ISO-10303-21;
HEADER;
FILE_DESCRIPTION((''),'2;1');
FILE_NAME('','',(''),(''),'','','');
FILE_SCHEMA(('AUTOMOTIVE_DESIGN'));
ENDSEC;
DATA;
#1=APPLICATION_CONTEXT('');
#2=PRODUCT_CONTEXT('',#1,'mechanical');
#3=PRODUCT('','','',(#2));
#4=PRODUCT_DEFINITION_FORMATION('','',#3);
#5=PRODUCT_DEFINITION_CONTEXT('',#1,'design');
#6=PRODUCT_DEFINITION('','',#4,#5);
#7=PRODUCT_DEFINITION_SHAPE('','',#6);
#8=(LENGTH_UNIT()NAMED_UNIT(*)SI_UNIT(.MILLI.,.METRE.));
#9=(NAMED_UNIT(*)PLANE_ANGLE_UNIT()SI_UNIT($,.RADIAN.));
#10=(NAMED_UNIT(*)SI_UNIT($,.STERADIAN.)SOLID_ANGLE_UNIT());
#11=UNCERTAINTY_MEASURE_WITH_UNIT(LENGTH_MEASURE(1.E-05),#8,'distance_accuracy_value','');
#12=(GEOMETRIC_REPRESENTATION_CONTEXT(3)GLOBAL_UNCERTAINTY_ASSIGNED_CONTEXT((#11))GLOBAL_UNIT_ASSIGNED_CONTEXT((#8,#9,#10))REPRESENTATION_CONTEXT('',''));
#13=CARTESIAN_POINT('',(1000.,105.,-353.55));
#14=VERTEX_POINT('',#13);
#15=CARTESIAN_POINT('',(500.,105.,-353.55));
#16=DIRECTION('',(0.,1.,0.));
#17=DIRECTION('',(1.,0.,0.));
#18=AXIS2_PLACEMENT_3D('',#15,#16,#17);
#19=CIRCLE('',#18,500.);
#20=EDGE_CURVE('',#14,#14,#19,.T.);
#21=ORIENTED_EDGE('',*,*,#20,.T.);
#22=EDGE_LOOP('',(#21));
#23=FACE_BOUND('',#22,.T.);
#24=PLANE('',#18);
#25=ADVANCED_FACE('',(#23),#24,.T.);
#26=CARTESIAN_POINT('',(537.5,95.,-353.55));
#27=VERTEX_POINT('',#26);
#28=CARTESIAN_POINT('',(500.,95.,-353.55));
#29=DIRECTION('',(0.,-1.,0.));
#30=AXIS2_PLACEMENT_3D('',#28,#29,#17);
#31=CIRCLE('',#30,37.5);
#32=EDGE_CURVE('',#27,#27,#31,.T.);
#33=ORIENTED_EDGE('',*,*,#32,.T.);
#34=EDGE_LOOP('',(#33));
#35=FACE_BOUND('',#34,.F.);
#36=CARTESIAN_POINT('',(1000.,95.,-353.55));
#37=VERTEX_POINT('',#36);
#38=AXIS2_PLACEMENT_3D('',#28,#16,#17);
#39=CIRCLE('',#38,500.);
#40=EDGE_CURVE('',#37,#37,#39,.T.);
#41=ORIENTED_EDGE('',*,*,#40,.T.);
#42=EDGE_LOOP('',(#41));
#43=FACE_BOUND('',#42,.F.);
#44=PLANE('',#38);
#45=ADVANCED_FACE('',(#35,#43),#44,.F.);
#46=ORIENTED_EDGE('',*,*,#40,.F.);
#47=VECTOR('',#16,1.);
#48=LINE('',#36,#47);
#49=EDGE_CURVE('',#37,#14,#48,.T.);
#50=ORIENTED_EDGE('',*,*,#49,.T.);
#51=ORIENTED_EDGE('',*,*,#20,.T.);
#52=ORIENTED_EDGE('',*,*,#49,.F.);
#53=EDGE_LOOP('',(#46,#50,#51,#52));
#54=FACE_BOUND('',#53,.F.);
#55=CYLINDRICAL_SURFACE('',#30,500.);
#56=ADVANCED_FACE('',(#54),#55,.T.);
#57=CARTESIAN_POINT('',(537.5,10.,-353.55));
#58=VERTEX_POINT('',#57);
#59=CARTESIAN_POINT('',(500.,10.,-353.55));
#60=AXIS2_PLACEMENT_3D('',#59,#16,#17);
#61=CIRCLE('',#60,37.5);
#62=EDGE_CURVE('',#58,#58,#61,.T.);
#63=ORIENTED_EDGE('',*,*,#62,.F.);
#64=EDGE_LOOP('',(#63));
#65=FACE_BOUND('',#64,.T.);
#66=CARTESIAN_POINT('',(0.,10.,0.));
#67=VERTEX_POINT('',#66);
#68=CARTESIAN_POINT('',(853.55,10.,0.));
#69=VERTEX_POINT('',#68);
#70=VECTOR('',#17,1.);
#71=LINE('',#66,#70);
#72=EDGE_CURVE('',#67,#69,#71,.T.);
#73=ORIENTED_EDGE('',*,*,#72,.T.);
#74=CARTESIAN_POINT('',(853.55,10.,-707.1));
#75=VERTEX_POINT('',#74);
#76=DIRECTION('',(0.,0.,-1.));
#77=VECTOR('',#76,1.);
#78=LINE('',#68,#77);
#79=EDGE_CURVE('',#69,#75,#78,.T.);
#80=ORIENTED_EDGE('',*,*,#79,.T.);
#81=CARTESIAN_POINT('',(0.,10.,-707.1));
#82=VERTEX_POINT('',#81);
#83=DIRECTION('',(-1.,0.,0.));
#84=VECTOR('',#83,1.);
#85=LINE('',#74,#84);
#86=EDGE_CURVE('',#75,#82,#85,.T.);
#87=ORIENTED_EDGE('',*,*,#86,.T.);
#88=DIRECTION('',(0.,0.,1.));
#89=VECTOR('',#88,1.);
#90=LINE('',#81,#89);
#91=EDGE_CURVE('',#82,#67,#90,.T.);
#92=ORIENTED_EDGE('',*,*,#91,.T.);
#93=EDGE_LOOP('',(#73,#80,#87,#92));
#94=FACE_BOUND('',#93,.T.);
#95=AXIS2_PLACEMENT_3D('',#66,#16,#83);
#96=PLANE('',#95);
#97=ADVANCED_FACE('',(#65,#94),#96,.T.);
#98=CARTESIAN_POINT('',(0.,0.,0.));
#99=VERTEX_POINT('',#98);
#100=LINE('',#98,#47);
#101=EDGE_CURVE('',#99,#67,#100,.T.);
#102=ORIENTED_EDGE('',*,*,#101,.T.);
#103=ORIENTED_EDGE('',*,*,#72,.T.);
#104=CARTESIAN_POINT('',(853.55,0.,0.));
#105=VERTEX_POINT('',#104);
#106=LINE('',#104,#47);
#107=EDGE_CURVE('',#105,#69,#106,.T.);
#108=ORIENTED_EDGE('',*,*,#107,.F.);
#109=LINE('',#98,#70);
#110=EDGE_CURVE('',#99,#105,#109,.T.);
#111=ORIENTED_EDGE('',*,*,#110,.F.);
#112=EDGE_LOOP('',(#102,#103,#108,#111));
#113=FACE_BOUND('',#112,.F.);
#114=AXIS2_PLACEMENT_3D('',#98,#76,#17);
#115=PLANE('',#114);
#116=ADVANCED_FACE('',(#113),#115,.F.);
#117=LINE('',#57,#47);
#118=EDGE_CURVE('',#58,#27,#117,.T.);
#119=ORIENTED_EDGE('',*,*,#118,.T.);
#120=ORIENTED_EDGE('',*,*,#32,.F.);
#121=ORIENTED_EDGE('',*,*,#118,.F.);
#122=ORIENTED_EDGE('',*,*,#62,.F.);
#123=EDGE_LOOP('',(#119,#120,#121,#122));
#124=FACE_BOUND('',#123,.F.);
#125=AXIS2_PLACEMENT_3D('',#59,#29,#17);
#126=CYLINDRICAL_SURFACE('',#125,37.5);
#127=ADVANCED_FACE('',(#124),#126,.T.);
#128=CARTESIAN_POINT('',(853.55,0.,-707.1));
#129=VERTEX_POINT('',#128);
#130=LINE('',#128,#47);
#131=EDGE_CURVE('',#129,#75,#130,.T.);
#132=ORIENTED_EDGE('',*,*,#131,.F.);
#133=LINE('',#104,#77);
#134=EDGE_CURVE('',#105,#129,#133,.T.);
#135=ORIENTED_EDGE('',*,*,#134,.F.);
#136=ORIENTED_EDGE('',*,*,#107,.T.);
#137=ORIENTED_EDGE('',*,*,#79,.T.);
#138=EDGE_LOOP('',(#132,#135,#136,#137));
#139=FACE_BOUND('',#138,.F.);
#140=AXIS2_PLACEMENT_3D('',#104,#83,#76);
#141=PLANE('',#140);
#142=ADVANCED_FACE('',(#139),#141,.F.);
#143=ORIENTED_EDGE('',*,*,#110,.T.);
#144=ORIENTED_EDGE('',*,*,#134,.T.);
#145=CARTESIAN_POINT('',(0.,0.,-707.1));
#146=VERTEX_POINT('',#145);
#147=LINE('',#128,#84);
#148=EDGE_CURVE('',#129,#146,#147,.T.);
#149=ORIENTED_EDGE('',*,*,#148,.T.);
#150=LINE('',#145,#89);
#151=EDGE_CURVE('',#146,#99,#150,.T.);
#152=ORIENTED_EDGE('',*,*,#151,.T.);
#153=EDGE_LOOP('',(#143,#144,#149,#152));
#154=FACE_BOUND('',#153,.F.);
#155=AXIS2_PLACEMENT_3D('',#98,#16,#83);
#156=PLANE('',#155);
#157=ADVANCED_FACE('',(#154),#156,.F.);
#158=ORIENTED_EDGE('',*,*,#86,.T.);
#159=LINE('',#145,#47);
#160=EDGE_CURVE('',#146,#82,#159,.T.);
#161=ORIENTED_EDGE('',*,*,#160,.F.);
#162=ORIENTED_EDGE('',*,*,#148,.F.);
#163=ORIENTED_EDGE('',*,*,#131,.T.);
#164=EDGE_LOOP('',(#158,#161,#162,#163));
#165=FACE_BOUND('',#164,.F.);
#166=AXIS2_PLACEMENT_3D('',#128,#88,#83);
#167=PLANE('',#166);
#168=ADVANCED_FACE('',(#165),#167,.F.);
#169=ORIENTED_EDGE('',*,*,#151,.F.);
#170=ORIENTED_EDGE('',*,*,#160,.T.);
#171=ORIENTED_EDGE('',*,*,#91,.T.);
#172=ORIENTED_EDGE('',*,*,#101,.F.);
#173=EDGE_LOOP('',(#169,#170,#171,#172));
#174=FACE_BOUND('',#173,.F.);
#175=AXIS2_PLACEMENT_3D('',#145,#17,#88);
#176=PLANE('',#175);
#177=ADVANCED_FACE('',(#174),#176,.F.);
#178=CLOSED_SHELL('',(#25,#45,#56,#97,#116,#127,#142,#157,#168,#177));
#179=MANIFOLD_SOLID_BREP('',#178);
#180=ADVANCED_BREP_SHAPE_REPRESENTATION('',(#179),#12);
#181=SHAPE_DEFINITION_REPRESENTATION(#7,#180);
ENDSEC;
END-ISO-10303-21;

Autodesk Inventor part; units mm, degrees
ref_plane "YZ Plane" through (0, 0, 0) normal (1, 0, 0) x (0, 1, 0)
ref_plane "XZ Plane" through (0, 0, 0) normal (0, 1, 0) x (-1, 0, 0)
ref_plane "XY Plane" through (0, 0, 0) normal (0, 0, 1) x (1, 0, 0)
sketch "Sketch1" plane through (0, 0, 0) normal (0, 1, 0) x (-1, 0, 0)
  line L0 (0, 0) -> (-853.55, 0)
  line L1 (-853.55, 0) -> (-853.55, -707.1)
  line L2 (-853.55, -707.1) -> (0, -707.1)
  line L3 (0, -707.1) -> (0, 0)
  dimension "d0" = 853.55
  dimension "d1" = 707.1
extrude "Extrusion1" add sketch "Sketch1" along normal blind 10
ref_plane "Work Plane4" through (500, 0, 0) normal (1, 0, 0) x (0, 0, -1)
ref_plane "Work Plane3" through (146.45, 0, 0) normal (1, 0, 0) x (0, 0, -1)
ref_plane "Work Plane2" through (853.55, 0, -353.55) normal (0, 0, -1) x (-1, 0, 0)
ref_plane "Work Plane5" through (500, 0, -353.55) normal (0.7071, 0, -0.7071) x (0, 1, 0)
ref_plane "Work Plane6" through (500, 0, -353.55) normal (0.7071, 0, 0.7071) x (0, -1, 0)
sketch "Sketch2" plane through (0, 10, 0) normal (0, 1, 0) x (1, 0, 0)
  line L0 (500, 848.52) -> (500, -141.42) projected
  line L1 (1009.615, 863.165) -> (-82.84, -229.29) projected
  line L2 (-170.71, 353.55) -> (1024.26, 353.55) projected
  line L3 (0, 0) -> (853.55, 0) projected
  line L4 (853.55, 0) -> (853.55, 707.1) projected
  line L5 (853.55, 707.1) -> (0, 707.1) projected
  line L6 (0, 707.1) -> (0, 0) projected
  circle A0 centre (500, 353.55) radius 37.5
  dimension "d5" = 75
extrude "Extrusion2" add sketch "Sketch2" along normal blind 85 contours A0 L1 L0 | L0 L2 A0 | L2 A0 L0 | L0 A0 L1 | L1 A0 L2 | L1 A0 L2
sketch "Sketch3" plane through (500, 95, -353.55) normal (0, 1, 0) x (1, 0, 0)
  circle A0 centre (0, 0) radius 500
  point P0 (-500, -353.55)
  dimension "d8" = 1000
extrude "Extrusion3" add sketch "Sketch3" along normal blind 10
properties part number "rotating_turntable"
